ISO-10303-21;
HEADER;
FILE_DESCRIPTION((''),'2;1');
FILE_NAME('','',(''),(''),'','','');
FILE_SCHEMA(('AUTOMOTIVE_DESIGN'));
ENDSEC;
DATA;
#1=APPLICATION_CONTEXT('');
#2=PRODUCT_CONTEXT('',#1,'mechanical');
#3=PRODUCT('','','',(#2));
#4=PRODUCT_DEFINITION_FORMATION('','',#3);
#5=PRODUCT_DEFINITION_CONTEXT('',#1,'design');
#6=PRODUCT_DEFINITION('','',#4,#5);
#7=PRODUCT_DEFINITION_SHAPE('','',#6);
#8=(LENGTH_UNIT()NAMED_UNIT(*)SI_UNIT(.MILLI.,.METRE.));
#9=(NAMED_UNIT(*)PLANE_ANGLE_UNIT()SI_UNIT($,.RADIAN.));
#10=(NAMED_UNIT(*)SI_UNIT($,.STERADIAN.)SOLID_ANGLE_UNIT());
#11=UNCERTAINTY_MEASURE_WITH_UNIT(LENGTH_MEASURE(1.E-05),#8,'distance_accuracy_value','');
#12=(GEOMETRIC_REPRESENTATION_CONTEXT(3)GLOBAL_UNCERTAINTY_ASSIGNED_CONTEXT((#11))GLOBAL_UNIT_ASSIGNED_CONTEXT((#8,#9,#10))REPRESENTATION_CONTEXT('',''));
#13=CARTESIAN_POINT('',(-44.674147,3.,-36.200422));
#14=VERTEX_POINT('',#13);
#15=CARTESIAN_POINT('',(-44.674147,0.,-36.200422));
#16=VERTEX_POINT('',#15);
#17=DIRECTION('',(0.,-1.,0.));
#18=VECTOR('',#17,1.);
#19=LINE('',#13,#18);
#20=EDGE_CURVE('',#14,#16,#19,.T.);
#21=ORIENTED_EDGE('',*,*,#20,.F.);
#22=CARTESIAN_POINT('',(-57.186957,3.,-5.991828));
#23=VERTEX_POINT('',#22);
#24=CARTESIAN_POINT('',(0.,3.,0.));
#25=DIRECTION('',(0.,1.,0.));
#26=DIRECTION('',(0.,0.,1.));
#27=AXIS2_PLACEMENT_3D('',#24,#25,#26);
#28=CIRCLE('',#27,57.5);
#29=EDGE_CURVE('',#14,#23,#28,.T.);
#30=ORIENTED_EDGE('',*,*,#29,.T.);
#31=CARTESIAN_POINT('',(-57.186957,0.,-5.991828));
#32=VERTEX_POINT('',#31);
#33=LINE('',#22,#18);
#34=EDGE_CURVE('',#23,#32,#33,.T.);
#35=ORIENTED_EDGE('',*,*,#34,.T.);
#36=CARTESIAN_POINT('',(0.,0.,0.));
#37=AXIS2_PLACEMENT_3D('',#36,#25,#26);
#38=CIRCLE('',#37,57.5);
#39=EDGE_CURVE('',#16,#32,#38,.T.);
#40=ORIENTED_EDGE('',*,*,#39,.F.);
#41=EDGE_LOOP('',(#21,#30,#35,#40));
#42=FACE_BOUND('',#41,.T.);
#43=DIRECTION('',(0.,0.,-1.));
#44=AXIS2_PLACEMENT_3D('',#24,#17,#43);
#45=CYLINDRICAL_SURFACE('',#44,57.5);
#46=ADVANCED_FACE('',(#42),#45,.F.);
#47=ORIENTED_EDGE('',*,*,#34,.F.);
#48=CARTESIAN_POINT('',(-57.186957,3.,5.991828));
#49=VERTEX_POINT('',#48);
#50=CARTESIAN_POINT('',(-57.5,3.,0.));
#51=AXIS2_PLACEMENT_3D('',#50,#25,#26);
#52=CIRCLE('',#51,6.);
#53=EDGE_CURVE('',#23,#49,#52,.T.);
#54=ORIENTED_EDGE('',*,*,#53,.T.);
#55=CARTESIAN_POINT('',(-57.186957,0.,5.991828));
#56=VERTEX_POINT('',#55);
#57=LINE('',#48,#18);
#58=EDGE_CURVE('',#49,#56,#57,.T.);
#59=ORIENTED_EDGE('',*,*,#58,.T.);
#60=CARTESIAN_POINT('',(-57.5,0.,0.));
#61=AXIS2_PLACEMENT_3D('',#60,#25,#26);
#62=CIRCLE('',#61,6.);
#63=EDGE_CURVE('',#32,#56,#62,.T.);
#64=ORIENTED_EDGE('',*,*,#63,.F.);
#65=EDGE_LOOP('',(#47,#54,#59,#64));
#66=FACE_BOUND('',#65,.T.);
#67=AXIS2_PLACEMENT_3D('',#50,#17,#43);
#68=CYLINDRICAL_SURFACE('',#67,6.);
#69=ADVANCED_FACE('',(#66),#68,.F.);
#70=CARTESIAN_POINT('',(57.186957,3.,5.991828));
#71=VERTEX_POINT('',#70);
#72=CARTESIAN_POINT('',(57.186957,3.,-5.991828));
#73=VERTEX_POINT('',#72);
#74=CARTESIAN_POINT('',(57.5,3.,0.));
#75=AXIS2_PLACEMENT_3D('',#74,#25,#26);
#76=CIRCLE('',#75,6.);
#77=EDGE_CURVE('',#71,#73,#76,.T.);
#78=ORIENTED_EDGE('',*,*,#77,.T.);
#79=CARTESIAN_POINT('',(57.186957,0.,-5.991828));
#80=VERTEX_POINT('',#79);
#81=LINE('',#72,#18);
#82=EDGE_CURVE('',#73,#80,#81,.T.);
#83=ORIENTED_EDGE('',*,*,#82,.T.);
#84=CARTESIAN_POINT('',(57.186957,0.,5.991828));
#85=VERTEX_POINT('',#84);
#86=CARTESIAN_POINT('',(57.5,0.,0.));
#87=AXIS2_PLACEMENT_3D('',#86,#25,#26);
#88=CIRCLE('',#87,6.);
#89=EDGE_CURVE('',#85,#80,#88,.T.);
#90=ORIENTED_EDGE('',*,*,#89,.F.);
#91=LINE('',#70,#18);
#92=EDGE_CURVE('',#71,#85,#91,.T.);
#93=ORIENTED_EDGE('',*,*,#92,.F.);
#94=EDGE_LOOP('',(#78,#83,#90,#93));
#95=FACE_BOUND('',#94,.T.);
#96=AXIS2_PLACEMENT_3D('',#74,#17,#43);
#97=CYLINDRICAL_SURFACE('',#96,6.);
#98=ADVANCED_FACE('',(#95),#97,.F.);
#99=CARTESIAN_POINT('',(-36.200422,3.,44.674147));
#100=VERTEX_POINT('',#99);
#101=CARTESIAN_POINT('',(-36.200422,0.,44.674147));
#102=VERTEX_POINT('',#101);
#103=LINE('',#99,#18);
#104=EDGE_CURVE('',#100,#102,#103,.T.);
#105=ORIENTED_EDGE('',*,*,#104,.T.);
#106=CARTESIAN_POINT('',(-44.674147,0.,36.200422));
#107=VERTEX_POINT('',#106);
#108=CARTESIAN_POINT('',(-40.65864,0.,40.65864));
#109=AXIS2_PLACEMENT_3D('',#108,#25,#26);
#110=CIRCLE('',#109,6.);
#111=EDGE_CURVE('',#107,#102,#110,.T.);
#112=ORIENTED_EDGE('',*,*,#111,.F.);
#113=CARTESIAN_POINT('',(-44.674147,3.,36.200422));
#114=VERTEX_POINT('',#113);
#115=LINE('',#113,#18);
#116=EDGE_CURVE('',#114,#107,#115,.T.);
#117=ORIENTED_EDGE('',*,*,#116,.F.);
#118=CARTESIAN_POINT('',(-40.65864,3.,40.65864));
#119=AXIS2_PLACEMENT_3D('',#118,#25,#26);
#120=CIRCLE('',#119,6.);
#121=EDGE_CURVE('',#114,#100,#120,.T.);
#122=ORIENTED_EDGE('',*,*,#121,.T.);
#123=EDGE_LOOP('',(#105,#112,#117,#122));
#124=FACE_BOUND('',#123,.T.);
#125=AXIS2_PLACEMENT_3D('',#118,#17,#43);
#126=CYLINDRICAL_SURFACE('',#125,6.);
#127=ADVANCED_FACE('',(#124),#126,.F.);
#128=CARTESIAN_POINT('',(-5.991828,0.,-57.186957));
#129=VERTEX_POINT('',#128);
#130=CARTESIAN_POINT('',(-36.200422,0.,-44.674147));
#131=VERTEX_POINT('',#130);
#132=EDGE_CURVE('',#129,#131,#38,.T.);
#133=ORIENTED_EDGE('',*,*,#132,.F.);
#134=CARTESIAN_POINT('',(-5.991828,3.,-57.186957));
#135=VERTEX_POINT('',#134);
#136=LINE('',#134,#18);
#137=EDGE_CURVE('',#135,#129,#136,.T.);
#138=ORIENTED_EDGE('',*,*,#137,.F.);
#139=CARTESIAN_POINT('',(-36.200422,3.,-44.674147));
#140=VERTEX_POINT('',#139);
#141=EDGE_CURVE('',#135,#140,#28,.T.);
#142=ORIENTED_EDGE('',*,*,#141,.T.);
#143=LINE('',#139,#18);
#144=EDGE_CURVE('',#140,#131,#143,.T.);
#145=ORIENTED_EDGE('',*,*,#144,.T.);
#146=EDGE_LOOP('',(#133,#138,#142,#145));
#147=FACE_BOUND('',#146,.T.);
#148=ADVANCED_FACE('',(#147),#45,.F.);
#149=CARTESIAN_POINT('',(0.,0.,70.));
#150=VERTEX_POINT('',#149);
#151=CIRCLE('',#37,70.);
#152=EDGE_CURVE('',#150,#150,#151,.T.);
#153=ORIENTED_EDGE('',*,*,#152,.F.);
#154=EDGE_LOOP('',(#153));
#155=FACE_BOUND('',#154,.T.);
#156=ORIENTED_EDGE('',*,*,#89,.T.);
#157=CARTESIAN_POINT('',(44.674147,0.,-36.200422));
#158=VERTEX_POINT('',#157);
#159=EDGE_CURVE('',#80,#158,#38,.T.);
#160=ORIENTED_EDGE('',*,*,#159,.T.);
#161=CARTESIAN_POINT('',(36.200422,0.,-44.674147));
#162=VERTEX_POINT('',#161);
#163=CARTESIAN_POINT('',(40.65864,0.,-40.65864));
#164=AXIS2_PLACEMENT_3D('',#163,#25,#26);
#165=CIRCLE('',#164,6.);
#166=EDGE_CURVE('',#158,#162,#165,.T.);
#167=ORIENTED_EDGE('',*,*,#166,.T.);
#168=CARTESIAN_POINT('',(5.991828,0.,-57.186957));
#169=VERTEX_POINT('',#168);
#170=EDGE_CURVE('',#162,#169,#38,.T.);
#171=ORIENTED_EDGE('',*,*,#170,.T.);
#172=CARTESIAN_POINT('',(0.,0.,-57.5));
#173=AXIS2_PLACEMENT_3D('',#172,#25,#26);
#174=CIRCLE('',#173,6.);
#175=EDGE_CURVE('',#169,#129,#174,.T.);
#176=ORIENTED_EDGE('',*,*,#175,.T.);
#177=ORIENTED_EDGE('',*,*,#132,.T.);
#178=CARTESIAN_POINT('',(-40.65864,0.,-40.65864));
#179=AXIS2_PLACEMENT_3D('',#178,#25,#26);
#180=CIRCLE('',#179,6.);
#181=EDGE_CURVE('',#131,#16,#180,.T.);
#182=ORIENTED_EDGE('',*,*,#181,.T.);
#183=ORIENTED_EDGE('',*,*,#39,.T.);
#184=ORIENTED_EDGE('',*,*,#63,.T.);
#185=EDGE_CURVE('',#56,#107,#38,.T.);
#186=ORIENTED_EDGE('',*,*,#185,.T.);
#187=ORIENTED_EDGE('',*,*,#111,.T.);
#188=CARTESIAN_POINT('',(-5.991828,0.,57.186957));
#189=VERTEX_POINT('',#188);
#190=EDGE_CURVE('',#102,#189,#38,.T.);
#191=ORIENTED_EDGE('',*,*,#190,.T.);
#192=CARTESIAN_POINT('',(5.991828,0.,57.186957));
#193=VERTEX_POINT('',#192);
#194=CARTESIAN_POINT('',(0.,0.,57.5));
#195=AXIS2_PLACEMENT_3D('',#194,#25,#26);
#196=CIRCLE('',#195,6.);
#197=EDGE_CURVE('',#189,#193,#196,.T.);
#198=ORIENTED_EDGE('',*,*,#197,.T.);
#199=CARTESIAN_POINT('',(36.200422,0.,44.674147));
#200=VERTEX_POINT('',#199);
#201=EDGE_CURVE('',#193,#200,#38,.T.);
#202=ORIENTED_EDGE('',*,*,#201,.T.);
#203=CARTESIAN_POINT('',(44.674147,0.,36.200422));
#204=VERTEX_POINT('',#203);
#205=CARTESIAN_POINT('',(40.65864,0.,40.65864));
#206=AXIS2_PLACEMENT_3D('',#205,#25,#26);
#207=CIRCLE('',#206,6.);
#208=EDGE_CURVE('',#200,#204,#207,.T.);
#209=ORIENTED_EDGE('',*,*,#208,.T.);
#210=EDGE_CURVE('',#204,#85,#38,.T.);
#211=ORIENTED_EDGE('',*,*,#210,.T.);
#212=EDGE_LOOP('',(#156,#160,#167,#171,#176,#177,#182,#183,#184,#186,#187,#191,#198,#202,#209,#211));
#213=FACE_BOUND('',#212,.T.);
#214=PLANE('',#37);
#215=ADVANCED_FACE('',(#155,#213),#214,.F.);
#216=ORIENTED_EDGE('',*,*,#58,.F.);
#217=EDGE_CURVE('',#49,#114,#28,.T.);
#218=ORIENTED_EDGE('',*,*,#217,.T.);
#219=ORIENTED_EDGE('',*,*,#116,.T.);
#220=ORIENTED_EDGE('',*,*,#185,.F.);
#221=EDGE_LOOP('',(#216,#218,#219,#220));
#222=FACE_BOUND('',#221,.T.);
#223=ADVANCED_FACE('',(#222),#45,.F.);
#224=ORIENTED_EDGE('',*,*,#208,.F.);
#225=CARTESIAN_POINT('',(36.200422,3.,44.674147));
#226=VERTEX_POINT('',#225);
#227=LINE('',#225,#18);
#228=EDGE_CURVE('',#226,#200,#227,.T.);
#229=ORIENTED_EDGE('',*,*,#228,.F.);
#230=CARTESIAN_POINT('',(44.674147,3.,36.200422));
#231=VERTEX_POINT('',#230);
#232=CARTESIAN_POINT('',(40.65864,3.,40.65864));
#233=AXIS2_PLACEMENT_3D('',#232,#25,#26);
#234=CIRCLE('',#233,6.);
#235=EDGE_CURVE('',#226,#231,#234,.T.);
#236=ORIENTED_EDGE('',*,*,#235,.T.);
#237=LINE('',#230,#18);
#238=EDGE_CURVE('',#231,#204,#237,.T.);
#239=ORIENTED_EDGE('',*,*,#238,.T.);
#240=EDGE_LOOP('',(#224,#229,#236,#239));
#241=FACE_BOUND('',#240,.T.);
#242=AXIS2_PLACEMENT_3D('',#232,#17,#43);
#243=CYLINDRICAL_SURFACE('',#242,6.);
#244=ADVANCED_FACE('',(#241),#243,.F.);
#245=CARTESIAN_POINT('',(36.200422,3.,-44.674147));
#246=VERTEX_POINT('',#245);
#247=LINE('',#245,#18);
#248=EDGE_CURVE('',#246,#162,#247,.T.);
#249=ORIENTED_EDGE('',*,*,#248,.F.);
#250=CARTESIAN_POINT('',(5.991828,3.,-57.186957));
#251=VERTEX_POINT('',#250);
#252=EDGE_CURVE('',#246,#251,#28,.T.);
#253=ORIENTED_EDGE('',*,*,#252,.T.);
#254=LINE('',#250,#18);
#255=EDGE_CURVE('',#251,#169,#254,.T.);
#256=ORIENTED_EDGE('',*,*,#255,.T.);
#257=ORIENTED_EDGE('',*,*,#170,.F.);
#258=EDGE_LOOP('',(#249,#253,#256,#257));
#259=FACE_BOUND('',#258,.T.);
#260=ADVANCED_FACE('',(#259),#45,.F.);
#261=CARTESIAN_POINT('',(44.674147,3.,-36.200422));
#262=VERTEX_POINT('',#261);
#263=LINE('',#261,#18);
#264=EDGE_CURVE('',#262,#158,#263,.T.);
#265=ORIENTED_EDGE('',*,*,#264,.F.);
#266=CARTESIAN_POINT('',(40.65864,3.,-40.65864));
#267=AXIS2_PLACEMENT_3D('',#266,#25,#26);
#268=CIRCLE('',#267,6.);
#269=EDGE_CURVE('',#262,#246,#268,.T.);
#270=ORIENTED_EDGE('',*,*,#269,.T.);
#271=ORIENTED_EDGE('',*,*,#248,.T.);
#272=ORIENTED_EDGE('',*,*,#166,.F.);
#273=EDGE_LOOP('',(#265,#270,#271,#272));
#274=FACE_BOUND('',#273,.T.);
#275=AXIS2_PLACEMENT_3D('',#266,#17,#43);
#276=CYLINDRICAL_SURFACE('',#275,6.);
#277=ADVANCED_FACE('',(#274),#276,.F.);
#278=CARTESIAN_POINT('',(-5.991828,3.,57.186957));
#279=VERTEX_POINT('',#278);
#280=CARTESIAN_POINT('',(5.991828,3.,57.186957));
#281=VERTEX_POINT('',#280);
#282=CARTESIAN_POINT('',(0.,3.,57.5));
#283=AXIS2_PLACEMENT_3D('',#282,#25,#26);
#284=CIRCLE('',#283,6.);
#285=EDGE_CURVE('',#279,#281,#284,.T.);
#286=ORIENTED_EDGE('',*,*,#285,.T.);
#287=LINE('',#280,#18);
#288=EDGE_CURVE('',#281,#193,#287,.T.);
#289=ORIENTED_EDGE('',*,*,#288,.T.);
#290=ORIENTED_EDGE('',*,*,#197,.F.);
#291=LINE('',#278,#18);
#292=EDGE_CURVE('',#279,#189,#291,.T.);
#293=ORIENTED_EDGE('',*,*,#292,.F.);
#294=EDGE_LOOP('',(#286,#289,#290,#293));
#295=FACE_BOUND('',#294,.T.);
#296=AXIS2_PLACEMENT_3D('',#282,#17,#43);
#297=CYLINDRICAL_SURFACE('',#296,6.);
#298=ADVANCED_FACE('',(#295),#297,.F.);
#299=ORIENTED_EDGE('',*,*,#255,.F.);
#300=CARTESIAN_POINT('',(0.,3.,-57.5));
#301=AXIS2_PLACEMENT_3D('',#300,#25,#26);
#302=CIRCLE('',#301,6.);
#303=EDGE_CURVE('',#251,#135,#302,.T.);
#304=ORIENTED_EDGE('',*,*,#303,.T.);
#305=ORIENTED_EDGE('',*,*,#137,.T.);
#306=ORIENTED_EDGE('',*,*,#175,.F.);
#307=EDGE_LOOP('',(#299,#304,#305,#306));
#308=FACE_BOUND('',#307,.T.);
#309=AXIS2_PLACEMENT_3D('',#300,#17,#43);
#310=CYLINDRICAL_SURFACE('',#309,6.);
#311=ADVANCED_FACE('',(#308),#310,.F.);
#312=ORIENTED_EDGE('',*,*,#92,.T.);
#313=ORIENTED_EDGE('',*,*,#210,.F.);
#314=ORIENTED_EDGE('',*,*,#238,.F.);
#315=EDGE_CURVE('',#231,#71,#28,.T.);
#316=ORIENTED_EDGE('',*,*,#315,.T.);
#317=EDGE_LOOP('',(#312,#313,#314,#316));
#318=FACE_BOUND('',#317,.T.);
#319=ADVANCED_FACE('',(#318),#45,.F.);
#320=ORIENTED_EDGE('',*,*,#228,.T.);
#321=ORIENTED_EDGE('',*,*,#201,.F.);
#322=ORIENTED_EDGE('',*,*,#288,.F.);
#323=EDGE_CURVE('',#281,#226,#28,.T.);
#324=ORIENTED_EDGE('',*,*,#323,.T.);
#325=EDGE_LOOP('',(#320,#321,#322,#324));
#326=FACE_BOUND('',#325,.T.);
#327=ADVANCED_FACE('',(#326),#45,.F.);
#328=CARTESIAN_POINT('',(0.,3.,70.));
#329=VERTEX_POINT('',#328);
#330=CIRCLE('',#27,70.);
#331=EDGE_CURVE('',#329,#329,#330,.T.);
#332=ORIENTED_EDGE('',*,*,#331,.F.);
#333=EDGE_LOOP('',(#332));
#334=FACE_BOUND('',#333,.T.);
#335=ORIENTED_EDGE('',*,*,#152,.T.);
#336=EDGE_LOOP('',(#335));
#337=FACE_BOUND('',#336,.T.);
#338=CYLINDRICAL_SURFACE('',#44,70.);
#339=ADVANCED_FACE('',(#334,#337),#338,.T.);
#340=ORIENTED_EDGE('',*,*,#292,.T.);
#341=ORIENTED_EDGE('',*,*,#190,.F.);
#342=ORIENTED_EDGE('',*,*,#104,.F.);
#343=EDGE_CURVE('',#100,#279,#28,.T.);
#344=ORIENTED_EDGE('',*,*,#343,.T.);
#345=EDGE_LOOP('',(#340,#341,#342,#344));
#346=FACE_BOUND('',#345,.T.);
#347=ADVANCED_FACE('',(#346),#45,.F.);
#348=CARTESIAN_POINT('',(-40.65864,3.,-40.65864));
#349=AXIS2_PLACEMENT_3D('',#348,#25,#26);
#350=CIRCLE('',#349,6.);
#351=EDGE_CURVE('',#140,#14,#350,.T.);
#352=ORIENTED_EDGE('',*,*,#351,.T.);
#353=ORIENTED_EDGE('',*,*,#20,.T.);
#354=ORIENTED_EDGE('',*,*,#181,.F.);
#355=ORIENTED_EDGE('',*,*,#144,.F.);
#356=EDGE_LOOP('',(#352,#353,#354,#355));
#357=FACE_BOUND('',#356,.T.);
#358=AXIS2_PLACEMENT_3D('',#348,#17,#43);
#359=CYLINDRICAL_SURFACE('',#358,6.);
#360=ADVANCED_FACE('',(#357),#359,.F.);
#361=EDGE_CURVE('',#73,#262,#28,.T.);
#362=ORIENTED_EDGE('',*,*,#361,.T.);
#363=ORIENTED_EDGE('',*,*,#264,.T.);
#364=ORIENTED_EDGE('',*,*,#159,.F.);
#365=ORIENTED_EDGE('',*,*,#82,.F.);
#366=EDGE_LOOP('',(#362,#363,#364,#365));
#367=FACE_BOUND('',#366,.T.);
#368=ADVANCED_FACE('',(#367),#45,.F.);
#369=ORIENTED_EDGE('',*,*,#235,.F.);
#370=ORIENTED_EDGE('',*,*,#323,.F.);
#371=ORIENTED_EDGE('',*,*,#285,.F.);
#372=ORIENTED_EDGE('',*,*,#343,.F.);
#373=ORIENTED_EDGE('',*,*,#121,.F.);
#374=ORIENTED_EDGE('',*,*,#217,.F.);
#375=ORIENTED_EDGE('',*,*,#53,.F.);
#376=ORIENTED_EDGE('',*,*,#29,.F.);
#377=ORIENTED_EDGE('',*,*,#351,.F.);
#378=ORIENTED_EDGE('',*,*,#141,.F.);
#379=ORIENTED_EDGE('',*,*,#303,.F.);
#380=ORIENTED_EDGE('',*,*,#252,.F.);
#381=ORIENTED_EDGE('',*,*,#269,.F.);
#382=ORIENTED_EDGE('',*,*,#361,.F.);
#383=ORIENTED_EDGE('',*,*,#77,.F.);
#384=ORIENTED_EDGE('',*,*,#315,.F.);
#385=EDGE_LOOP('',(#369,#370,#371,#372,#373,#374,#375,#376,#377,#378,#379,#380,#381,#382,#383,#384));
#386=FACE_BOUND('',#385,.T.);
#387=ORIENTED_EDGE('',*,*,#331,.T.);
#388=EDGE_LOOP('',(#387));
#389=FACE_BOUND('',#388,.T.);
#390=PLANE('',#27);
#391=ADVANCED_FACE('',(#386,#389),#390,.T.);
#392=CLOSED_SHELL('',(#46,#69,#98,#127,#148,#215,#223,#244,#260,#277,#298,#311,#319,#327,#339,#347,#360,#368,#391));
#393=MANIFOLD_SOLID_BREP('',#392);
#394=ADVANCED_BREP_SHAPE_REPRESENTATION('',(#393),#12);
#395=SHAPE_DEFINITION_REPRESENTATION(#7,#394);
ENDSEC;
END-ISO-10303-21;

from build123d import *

# Parameters (mm, degrees)
SKETCH_1_R      = 70
EXTRUDE_1_DEPTH = 3


with BuildPart() as part:
    # Эскиз1 → Бобышка-Вытянуть1 (new body)
    with BuildSketch(Plane(origin=(0, 0, 0), x_dir=(1, 0, 0), z_dir=(0, 1, 0))):
        with Locations(Location((0, 0, 0), (0, 0, 270))):
            Circle(SKETCH_1_R)
        with BuildLine():
            ThreePointArc((-5.991828083, 57.186956522), (-22.004297361, 53.123073119), (-36.200422482, 44.674147021))
            ThreePointArc((-36.200422482, 44.674147021), (-44.901280605, 44.901280605), (-44.674147021, 36.200422482))
            ThreePointArc((-44.674147021, 36.200422482), (-53.123073119, 22.004297361), (-57.186956522, 5.991828083))
            ThreePointArc((-57.186956522, 5.991828083), (-63.5, 0), (-57.186956522, -5.991828083))
            ThreePointArc((-57.186956522, -5.991828083), (-53.123073119, -22.004297361), (-44.674147021, -36.200422482))
            ThreePointArc((-44.674147021, -36.200422482), (-44.901280605, -44.901280605), (-36.200422482, -44.674147021))
            ThreePointArc((-36.200422482, -44.674147021), (-22.004297361, -53.123073119), (-5.991828083, -57.186956522))
            ThreePointArc((-5.991828083, -57.186956522), (0, -63.5), (5.991828083, -57.186956522))
            ThreePointArc((5.991828083, -57.186956522), (22.004297361, -53.123073119), (36.200422482, -44.674147021))
            ThreePointArc((36.200422482, -44.674147021), (44.901280605, -44.901280605), (44.674147021, -36.200422482))
            ThreePointArc((44.674147021, -36.200422482), (53.123073119, -22.004297361), (57.186956522, -5.991828083))
            ThreePointArc((57.186956522, -5.991828083), (63.5, 0), (57.186956522, 5.991828083))
            ThreePointArc((57.186956522, 5.991828083), (53.123073119, 22.004297361), (44.674147021, 36.200422482))
            ThreePointArc((44.674147021, 36.200422482), (44.901280605, 44.901280605), (36.200422482, 44.674147021))
            ThreePointArc((36.200422482, 44.674147021), (22.004297361, 53.123073119), (5.991828083, 57.186956522))
            ThreePointArc((5.991828083, 57.186956522), (0, 63.5), (-5.991828083, 57.186956522))
        make_face(mode=Mode.SUBTRACT)
    extrude(amount=EXTRUDE_1_DEPTH)


solid = part.part
